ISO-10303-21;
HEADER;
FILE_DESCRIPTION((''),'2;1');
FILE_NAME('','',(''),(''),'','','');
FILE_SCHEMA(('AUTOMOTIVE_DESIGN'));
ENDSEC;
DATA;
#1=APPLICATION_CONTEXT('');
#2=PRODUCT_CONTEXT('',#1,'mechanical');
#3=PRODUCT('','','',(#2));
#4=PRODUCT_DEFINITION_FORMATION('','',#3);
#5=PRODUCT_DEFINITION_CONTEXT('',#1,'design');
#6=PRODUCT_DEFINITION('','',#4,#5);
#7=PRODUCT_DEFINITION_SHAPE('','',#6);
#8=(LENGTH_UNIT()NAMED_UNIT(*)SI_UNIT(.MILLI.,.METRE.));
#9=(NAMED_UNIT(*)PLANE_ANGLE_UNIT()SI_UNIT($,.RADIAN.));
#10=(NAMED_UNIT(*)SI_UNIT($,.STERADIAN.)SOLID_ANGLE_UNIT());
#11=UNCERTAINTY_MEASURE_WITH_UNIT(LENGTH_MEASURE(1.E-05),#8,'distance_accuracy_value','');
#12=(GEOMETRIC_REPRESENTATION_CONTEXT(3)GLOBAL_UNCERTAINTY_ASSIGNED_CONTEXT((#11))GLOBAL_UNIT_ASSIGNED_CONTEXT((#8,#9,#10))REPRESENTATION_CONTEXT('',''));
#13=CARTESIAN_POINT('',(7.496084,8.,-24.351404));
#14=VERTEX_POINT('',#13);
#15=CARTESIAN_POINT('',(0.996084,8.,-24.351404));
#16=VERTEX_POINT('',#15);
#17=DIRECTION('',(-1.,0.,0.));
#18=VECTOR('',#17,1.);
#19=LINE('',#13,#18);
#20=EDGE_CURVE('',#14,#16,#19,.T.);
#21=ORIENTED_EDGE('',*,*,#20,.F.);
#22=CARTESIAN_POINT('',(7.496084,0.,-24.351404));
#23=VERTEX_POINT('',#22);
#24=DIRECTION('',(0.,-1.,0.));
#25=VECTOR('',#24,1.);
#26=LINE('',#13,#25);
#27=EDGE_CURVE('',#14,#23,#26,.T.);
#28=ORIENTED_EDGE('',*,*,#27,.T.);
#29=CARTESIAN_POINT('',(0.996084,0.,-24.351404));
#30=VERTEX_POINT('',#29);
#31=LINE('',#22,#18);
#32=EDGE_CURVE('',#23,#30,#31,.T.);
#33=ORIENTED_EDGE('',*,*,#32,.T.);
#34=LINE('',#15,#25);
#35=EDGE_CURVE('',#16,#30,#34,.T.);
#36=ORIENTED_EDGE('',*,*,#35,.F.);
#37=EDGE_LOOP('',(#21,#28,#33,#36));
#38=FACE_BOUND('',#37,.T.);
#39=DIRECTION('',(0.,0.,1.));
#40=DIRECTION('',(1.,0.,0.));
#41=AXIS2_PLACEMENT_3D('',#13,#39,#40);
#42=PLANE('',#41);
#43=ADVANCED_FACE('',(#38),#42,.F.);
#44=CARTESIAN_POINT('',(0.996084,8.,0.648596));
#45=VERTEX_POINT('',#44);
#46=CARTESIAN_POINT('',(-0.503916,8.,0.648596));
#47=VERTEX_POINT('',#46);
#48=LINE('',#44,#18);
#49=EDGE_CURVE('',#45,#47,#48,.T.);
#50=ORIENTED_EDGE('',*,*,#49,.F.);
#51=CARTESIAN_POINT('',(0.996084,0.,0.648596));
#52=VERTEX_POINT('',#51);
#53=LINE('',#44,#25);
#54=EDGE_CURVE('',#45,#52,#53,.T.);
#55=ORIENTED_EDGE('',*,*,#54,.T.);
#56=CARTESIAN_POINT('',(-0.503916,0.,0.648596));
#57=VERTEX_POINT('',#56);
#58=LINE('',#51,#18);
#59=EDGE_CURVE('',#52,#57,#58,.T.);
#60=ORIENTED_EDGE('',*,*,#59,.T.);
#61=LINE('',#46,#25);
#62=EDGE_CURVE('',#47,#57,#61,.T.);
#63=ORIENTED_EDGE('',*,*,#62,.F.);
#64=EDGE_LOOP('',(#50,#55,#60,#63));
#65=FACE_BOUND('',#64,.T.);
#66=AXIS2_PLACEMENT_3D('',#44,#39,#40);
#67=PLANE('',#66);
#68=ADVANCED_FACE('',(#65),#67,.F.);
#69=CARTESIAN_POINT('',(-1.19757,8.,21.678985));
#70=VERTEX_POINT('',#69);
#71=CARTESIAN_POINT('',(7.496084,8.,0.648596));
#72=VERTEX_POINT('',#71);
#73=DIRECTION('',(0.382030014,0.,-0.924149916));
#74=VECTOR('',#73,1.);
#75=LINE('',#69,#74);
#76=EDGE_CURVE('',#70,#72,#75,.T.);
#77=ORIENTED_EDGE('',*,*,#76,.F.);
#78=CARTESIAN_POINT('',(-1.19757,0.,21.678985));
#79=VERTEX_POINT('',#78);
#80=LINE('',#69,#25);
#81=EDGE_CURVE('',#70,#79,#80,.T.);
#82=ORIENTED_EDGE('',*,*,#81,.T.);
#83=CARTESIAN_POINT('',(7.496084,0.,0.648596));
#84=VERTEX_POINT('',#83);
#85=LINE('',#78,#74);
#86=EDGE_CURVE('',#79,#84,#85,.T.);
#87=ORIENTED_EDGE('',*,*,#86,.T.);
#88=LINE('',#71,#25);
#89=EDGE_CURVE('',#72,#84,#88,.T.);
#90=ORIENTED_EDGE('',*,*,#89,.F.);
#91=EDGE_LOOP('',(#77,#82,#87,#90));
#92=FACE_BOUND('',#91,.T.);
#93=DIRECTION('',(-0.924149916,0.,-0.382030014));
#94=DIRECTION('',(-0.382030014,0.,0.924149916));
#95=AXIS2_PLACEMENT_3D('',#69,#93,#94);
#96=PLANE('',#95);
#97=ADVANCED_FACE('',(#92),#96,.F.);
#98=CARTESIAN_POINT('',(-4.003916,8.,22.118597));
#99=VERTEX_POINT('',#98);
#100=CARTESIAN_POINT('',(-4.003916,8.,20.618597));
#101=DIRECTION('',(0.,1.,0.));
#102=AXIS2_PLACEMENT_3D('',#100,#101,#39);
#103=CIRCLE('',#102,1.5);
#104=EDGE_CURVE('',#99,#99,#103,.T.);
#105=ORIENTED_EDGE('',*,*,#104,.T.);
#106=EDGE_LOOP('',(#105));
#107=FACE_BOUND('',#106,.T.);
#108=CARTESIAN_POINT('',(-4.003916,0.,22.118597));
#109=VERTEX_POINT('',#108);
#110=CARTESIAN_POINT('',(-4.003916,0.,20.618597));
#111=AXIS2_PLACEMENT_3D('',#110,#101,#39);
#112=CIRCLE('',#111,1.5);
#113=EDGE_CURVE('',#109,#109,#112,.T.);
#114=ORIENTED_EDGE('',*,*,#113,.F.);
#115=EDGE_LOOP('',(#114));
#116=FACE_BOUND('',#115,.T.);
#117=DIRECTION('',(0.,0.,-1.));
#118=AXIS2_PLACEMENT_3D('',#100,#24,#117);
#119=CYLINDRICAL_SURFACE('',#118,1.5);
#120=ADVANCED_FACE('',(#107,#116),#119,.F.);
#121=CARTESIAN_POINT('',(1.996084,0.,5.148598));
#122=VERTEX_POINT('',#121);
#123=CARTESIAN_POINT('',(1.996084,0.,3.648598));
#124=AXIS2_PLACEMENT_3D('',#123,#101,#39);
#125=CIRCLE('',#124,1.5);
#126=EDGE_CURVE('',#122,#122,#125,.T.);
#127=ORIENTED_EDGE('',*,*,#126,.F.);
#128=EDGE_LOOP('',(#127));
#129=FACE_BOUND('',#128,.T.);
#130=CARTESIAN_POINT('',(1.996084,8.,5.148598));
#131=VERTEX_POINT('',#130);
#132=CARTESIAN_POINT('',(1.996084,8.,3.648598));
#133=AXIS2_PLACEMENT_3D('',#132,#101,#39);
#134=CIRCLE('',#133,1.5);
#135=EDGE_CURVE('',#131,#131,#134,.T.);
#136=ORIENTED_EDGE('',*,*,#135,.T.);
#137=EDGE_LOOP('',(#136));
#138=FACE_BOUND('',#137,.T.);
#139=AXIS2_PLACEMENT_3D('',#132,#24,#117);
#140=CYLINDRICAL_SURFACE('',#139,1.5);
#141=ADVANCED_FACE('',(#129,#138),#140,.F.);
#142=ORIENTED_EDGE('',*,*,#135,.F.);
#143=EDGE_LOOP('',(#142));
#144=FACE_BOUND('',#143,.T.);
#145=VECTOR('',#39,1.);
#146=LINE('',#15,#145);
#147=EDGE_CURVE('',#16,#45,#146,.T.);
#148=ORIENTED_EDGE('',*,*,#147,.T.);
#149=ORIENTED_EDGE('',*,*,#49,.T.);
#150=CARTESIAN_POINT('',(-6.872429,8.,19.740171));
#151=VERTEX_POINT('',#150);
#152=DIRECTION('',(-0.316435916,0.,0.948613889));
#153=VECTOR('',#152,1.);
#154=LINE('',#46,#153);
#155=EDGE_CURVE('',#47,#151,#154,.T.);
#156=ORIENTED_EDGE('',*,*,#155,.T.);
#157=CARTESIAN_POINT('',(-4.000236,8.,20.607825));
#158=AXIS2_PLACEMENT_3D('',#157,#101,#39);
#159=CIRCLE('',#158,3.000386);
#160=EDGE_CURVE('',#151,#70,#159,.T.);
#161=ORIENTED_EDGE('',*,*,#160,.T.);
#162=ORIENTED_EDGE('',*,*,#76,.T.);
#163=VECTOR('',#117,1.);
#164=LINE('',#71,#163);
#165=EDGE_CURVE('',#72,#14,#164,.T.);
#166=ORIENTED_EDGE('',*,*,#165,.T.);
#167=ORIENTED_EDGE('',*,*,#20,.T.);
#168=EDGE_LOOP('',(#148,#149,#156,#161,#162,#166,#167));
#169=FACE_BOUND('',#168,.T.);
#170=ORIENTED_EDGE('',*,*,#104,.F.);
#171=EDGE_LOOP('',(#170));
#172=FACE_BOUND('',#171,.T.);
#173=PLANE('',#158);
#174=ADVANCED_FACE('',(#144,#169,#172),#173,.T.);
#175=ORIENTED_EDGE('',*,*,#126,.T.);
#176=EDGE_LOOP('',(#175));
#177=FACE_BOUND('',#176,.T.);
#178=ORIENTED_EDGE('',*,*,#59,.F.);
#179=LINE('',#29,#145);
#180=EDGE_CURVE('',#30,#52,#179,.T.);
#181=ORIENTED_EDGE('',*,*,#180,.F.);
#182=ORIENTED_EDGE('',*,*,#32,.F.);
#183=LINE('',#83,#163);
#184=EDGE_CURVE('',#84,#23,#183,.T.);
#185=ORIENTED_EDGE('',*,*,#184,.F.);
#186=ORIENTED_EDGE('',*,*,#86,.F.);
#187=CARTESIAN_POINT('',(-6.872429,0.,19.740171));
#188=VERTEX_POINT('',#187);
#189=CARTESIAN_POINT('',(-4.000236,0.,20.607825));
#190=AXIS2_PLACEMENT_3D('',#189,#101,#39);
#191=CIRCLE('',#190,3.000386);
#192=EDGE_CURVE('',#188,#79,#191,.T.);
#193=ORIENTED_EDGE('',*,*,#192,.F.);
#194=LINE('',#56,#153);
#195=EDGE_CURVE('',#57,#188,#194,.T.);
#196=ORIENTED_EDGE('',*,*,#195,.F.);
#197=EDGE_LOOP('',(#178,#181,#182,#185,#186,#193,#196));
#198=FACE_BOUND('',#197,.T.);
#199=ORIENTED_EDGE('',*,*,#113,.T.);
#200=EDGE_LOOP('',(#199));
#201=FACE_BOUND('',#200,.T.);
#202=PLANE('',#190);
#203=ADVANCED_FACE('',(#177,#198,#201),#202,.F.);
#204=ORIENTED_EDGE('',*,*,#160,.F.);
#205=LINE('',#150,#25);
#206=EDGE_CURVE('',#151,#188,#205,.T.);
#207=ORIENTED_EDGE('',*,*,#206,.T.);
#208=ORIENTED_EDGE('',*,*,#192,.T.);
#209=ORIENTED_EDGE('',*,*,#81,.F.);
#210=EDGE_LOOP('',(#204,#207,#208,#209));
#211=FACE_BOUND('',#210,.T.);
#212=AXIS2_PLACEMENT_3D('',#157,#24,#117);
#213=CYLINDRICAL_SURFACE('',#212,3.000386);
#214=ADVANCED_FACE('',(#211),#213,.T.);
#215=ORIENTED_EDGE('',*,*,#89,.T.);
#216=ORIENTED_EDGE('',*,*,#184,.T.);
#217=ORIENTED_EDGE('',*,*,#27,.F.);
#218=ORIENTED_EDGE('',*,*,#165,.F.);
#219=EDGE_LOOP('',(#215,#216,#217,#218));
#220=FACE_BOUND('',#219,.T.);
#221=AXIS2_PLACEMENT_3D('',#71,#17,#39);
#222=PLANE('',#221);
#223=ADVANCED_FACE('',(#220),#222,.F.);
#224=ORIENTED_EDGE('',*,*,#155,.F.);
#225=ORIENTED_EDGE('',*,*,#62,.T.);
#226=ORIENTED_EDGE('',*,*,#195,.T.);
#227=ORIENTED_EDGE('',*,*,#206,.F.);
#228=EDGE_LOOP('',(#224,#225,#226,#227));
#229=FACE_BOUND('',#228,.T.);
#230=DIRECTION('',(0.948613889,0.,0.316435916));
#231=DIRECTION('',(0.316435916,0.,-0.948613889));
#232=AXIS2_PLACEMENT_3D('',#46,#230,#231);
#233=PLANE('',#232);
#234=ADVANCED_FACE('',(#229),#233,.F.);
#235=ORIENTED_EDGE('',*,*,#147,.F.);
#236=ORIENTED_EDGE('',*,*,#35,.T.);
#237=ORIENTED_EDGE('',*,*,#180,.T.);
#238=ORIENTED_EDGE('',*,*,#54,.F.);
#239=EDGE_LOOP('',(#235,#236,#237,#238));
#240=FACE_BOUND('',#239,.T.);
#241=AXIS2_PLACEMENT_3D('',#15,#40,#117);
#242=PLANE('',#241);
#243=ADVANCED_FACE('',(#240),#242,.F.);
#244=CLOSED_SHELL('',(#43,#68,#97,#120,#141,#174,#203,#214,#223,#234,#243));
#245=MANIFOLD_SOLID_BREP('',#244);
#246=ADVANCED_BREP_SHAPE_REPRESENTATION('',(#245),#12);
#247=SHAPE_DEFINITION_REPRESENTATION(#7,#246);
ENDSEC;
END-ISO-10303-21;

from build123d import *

# Parameters (mm, degrees)
CROQUIS1_R              = 1.5000002
CROQUIS1_R_2            = 1.49999991
SALIENTE_EXTRUIR1_DEPTH = 8


with BuildPart() as part:
    # Croquis1 → Saliente-Extruir1 (new body)
    with BuildSketch(Plane(origin=(0, 0, 0), x_dir=(1, 0, 0), z_dir=(0, 1, 0))):
        with BuildLine():
            Line((-1.19757039, -21.678985349), (7.496084148, -0.648595564))
            Line((7.496084148, -0.648595564), (7.496084148, 24.351404436))
            Line((7.496084148, 24.351404436), (0.996084148, 24.351404436))
            Line((0.996084148, 24.351404436), (0.996084148, -0.648595564))
            Line((0.996084148, -0.648595564), (-0.503915852, -0.648595564))
            Line((-0.503915852, -0.648595564), (-6.872429124, -19.740170948))
            ThreePointArc((-6.872429124, -19.740170948), (-4.970266204, -23.44707843), (-1.19757039, -21.678985349))
        make_face()
        with Locations((1.996084371, -3.648597796)):
            Circle(CROQUIS1_R, mode=Mode.SUBTRACT)
        with Locations((-4.003916027, -20.618596904)):
            Circle(CROQUIS1_R_2, mode=Mode.SUBTRACT)
    extrude(amount=SALIENTE_EXTRUIR1_DEPTH)


solid = part.part
